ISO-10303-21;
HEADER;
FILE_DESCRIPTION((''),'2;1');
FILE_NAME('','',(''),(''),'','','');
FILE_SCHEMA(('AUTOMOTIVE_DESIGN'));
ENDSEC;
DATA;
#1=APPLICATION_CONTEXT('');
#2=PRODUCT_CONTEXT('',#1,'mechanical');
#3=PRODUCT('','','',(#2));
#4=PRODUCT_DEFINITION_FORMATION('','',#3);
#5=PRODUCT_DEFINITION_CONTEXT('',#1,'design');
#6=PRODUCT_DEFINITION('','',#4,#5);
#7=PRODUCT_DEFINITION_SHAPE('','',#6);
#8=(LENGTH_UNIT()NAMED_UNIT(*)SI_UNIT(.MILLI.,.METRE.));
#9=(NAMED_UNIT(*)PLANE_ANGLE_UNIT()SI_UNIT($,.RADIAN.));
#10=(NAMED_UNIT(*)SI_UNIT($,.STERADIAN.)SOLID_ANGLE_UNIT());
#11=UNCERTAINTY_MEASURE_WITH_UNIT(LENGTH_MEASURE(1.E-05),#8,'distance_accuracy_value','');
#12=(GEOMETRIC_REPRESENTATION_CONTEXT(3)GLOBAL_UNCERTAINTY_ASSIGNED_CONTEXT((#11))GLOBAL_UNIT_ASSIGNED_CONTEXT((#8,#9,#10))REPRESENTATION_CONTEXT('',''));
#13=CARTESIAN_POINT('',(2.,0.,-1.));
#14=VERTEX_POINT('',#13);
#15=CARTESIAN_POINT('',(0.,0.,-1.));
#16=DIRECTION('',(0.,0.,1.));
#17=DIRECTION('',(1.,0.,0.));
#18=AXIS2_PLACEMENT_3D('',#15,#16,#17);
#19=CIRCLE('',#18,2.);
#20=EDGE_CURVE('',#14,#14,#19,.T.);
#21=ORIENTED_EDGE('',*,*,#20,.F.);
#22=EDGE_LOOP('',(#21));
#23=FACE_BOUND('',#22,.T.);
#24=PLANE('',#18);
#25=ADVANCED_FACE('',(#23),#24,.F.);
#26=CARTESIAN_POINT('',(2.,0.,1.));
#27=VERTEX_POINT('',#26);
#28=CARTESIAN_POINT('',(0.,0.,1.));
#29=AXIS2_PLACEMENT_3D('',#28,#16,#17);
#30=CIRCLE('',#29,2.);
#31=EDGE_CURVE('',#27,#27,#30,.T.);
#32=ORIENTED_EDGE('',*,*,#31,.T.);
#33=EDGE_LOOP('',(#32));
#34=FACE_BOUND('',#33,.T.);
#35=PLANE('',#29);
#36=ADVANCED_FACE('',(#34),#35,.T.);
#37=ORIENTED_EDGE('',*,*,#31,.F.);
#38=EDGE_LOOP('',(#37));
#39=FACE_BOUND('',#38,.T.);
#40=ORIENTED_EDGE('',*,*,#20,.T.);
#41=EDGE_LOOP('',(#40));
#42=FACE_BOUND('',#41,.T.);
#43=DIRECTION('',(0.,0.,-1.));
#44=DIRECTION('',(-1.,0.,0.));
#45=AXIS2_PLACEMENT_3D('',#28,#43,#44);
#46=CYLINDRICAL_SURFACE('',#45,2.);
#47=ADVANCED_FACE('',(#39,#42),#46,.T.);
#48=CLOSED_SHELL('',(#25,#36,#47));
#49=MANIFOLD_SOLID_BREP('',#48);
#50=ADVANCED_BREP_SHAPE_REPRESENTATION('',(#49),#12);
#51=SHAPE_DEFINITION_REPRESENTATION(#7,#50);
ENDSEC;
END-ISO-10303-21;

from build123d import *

# Parameters (mm, degrees)
SKETCH1_R           = 2
BOSS_EXTRUDE1_DEPTH = 1


with BuildPart() as part:
    # Sketch1 → Boss-Extrude1 (new body, symmetric)
    with BuildSketch(Plane.XY):
        Circle(SKETCH1_R)
    extrude(amount=BOSS_EXTRUDE1_DEPTH, both=True)


solid = part.part
